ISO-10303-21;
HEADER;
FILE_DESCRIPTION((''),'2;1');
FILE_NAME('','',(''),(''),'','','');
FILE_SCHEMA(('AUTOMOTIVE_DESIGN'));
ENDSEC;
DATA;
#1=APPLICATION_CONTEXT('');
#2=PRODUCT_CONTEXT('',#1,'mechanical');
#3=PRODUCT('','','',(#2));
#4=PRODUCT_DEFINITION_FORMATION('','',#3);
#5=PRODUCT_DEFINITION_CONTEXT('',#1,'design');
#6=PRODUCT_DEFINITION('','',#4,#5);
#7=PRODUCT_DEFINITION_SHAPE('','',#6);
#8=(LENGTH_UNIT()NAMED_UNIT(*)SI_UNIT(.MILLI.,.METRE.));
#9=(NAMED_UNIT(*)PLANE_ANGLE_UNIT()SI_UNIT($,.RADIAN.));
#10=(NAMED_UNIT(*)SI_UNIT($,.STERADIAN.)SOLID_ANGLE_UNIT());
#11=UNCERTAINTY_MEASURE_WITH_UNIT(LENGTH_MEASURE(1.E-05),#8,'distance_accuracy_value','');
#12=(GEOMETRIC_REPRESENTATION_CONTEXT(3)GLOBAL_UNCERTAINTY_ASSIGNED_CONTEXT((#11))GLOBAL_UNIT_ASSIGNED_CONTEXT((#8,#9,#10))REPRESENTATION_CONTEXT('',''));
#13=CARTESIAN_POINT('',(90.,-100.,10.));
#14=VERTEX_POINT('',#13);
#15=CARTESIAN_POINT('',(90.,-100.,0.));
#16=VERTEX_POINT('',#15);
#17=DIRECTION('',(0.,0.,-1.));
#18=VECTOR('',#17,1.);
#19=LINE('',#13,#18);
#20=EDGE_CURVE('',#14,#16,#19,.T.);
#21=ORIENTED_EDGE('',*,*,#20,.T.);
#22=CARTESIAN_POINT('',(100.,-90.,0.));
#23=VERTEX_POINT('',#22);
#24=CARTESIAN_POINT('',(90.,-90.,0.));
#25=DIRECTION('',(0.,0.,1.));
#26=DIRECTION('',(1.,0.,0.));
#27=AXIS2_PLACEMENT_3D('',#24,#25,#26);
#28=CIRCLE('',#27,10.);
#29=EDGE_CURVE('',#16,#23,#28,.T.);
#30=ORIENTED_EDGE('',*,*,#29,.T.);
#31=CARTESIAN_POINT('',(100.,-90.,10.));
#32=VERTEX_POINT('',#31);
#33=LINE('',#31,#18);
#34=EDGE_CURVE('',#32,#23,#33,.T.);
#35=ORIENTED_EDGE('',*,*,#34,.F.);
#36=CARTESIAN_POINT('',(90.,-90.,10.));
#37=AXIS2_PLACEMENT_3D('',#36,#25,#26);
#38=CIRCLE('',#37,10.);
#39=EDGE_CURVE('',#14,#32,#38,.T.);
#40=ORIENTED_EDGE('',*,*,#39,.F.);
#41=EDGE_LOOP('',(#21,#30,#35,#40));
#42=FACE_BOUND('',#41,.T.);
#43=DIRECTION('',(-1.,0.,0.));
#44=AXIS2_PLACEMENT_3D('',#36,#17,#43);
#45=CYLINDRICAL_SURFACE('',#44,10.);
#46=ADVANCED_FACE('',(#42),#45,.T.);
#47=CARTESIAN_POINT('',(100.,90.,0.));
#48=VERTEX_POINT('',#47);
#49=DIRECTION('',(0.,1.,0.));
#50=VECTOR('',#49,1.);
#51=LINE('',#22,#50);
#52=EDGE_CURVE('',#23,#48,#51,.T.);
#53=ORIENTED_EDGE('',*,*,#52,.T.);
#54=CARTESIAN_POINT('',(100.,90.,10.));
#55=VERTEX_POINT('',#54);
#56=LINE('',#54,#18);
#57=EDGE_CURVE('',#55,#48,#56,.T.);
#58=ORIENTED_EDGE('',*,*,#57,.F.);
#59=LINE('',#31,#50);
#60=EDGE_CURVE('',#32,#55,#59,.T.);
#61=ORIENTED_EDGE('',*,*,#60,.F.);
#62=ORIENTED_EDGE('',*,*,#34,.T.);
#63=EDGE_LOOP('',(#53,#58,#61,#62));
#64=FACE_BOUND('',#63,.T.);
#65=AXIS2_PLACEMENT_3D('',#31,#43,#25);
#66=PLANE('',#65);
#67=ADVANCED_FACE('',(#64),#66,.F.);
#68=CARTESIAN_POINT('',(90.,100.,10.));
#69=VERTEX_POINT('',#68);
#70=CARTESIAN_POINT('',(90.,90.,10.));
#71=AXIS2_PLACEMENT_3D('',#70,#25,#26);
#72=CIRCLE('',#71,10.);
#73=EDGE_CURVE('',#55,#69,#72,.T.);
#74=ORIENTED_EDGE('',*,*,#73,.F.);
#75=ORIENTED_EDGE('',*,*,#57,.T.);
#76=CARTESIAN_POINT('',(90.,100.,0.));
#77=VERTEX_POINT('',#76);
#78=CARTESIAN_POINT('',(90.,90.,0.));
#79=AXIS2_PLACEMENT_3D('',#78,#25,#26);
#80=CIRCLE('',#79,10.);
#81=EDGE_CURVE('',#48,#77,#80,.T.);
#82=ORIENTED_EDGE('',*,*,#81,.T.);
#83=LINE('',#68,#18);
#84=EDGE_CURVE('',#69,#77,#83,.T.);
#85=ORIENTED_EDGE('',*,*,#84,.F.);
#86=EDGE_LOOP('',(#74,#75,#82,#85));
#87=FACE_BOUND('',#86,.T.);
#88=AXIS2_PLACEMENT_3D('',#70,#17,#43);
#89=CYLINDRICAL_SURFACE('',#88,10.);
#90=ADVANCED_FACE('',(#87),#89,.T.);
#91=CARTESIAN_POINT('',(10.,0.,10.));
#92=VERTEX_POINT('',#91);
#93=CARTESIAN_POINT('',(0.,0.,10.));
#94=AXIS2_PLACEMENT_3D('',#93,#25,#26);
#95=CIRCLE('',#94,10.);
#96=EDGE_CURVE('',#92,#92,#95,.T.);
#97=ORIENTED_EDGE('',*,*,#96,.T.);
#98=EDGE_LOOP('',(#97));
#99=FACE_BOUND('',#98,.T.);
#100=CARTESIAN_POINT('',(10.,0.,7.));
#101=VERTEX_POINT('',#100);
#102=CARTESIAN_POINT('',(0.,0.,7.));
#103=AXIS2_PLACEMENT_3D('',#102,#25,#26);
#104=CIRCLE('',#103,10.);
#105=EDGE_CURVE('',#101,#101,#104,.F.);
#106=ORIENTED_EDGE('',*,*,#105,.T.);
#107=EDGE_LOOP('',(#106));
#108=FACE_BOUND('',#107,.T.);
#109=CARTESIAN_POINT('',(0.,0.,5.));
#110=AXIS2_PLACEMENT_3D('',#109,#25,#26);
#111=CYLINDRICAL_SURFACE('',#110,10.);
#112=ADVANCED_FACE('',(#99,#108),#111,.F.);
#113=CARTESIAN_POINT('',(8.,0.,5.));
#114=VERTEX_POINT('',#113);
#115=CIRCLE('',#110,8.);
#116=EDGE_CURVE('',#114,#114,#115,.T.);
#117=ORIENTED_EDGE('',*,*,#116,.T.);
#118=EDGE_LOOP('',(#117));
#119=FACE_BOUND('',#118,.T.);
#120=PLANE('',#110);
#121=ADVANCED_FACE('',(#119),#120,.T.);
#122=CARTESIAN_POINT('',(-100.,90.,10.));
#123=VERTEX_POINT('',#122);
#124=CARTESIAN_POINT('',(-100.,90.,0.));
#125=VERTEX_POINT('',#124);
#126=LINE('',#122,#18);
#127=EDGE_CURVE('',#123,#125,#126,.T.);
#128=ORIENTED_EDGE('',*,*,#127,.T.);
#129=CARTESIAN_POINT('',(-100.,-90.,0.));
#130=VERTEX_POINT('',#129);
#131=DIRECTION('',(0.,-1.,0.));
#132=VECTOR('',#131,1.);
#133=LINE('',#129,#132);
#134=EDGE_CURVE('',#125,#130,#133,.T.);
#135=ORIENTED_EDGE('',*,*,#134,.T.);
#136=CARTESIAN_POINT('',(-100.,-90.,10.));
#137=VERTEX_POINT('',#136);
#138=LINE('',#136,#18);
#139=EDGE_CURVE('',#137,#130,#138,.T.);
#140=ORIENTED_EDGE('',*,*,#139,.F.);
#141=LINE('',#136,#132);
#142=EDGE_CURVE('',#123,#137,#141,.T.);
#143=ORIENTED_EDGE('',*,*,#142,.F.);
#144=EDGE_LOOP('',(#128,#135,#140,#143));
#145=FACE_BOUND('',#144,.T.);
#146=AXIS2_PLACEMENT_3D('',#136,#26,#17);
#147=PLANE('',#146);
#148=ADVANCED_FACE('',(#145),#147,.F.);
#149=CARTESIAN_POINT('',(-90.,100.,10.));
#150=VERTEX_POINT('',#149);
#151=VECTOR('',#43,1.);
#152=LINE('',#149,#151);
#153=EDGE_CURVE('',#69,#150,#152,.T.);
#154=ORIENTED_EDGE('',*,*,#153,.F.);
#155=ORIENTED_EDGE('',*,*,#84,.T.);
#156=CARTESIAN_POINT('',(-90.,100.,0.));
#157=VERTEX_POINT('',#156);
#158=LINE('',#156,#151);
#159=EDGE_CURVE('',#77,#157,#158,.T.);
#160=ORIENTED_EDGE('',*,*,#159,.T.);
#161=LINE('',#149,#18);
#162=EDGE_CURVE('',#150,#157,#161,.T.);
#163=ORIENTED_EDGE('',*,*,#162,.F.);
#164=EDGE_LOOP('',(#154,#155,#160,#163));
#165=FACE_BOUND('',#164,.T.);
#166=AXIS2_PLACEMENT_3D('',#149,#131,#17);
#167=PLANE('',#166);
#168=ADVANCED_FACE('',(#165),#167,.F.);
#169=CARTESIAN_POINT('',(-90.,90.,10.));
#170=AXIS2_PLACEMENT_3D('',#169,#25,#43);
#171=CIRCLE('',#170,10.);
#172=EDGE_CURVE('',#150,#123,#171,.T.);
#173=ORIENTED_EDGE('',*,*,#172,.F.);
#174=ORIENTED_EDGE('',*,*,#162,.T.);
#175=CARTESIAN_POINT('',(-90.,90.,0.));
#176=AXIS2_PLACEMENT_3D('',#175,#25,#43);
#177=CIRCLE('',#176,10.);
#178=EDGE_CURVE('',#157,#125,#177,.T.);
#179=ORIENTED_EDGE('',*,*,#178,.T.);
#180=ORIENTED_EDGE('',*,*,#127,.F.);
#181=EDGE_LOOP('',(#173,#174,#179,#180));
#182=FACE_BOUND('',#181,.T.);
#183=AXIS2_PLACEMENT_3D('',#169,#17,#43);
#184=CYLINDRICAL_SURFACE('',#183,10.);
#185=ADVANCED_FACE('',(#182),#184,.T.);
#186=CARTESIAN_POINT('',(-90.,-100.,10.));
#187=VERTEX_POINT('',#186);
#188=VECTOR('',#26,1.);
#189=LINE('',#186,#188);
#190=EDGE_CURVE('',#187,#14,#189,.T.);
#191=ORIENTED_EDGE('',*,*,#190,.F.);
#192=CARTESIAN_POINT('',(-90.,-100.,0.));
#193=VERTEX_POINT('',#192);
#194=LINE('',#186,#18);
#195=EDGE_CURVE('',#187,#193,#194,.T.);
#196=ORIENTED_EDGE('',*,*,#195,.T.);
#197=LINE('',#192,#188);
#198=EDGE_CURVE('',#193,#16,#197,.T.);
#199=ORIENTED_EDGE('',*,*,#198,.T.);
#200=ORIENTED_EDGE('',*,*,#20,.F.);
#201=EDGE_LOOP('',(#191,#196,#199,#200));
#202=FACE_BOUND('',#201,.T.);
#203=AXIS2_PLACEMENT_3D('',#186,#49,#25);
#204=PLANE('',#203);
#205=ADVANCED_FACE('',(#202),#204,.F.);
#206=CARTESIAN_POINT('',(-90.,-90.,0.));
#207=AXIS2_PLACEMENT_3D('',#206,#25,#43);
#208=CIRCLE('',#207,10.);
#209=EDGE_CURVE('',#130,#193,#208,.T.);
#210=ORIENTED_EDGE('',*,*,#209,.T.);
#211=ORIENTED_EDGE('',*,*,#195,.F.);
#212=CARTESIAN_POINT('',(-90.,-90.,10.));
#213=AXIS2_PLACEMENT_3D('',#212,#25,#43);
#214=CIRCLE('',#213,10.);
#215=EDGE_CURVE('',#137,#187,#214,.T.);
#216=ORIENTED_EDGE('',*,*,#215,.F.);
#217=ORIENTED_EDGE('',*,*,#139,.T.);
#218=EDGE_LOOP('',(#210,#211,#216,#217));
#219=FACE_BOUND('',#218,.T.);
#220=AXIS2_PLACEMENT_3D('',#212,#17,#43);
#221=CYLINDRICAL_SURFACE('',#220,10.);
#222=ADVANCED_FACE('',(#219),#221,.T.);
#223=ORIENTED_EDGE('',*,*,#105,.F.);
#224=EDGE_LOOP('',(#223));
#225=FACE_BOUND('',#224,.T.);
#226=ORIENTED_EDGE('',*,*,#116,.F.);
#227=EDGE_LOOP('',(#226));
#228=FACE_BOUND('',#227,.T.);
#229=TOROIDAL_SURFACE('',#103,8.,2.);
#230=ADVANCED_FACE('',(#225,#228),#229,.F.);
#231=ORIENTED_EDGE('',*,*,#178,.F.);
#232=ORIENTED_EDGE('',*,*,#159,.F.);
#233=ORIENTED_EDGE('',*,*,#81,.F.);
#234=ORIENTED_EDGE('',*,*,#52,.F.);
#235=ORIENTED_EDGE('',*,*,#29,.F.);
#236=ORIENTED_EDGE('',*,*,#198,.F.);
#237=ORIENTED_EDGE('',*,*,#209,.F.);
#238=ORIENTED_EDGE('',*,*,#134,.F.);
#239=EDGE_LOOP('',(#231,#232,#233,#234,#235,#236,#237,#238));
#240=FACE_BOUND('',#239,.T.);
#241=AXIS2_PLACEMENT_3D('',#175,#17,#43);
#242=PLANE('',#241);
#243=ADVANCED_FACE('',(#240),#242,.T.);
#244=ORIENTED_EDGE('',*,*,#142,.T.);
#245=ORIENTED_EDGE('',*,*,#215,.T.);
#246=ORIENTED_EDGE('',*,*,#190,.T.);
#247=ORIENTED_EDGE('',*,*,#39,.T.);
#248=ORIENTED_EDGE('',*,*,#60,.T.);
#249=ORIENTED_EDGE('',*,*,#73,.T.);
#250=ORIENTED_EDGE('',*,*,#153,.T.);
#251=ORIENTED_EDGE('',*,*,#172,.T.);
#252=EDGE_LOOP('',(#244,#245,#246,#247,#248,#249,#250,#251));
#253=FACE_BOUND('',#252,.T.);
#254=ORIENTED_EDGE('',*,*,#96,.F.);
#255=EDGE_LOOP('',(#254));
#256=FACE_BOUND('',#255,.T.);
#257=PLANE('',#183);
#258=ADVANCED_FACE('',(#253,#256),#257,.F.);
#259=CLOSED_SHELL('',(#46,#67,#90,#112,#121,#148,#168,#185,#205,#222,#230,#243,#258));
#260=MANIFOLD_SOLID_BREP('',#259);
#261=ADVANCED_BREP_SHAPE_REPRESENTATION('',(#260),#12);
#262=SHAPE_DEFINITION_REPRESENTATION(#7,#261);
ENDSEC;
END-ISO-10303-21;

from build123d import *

# Parameters (mm, degrees)
BOSS_EXTRUDE1_DEPTH = 10
SKETCH2_R           = 10
CUT_EXTRUDE2_DEPTH  = 5
FILLET1_R           = 2


with BuildPart() as part:
    # Sketch1 → Boss-Extrude1 (new body)
    with BuildSketch(Plane.XY):
        with BuildLine():
            Line((-90, -100), (90, -100))
            ThreePointArc((90, -100), (97.071067812, -97.071067812), (100, -90))
            Line((100, -90), (100, 90))
            ThreePointArc((100, 90), (97.071067812, 97.071067812), (90, 100))
            Line((90, 100), (-90, 100))
            ThreePointArc((-90, 100), (-97.071067812, 97.071067812), (-100, 90))
            Line((-100, 90), (-100, -90))
            ThreePointArc((-100, -90), (-97.071067812, -97.071067812), (-90, -100))
        make_face()
    extrude(amount=BOSS_EXTRUDE1_DEPTH)

    # Sketch2 → Cut-Extrude2 (cut)
    with BuildSketch(Plane.XY.offset(10)):
        Circle(SKETCH2_R)
    extrude(amount=-CUT_EXTRUDE2_DEPTH, mode=Mode.SUBTRACT)

    # Fillet1
    fillet1_edges = [part.edges().sort_by_distance(p)[0] for p in [
        (-10, 0, 5),
    ]]
    fillet(fillet1_edges, radius=FILLET1_R)


solid = part.part
